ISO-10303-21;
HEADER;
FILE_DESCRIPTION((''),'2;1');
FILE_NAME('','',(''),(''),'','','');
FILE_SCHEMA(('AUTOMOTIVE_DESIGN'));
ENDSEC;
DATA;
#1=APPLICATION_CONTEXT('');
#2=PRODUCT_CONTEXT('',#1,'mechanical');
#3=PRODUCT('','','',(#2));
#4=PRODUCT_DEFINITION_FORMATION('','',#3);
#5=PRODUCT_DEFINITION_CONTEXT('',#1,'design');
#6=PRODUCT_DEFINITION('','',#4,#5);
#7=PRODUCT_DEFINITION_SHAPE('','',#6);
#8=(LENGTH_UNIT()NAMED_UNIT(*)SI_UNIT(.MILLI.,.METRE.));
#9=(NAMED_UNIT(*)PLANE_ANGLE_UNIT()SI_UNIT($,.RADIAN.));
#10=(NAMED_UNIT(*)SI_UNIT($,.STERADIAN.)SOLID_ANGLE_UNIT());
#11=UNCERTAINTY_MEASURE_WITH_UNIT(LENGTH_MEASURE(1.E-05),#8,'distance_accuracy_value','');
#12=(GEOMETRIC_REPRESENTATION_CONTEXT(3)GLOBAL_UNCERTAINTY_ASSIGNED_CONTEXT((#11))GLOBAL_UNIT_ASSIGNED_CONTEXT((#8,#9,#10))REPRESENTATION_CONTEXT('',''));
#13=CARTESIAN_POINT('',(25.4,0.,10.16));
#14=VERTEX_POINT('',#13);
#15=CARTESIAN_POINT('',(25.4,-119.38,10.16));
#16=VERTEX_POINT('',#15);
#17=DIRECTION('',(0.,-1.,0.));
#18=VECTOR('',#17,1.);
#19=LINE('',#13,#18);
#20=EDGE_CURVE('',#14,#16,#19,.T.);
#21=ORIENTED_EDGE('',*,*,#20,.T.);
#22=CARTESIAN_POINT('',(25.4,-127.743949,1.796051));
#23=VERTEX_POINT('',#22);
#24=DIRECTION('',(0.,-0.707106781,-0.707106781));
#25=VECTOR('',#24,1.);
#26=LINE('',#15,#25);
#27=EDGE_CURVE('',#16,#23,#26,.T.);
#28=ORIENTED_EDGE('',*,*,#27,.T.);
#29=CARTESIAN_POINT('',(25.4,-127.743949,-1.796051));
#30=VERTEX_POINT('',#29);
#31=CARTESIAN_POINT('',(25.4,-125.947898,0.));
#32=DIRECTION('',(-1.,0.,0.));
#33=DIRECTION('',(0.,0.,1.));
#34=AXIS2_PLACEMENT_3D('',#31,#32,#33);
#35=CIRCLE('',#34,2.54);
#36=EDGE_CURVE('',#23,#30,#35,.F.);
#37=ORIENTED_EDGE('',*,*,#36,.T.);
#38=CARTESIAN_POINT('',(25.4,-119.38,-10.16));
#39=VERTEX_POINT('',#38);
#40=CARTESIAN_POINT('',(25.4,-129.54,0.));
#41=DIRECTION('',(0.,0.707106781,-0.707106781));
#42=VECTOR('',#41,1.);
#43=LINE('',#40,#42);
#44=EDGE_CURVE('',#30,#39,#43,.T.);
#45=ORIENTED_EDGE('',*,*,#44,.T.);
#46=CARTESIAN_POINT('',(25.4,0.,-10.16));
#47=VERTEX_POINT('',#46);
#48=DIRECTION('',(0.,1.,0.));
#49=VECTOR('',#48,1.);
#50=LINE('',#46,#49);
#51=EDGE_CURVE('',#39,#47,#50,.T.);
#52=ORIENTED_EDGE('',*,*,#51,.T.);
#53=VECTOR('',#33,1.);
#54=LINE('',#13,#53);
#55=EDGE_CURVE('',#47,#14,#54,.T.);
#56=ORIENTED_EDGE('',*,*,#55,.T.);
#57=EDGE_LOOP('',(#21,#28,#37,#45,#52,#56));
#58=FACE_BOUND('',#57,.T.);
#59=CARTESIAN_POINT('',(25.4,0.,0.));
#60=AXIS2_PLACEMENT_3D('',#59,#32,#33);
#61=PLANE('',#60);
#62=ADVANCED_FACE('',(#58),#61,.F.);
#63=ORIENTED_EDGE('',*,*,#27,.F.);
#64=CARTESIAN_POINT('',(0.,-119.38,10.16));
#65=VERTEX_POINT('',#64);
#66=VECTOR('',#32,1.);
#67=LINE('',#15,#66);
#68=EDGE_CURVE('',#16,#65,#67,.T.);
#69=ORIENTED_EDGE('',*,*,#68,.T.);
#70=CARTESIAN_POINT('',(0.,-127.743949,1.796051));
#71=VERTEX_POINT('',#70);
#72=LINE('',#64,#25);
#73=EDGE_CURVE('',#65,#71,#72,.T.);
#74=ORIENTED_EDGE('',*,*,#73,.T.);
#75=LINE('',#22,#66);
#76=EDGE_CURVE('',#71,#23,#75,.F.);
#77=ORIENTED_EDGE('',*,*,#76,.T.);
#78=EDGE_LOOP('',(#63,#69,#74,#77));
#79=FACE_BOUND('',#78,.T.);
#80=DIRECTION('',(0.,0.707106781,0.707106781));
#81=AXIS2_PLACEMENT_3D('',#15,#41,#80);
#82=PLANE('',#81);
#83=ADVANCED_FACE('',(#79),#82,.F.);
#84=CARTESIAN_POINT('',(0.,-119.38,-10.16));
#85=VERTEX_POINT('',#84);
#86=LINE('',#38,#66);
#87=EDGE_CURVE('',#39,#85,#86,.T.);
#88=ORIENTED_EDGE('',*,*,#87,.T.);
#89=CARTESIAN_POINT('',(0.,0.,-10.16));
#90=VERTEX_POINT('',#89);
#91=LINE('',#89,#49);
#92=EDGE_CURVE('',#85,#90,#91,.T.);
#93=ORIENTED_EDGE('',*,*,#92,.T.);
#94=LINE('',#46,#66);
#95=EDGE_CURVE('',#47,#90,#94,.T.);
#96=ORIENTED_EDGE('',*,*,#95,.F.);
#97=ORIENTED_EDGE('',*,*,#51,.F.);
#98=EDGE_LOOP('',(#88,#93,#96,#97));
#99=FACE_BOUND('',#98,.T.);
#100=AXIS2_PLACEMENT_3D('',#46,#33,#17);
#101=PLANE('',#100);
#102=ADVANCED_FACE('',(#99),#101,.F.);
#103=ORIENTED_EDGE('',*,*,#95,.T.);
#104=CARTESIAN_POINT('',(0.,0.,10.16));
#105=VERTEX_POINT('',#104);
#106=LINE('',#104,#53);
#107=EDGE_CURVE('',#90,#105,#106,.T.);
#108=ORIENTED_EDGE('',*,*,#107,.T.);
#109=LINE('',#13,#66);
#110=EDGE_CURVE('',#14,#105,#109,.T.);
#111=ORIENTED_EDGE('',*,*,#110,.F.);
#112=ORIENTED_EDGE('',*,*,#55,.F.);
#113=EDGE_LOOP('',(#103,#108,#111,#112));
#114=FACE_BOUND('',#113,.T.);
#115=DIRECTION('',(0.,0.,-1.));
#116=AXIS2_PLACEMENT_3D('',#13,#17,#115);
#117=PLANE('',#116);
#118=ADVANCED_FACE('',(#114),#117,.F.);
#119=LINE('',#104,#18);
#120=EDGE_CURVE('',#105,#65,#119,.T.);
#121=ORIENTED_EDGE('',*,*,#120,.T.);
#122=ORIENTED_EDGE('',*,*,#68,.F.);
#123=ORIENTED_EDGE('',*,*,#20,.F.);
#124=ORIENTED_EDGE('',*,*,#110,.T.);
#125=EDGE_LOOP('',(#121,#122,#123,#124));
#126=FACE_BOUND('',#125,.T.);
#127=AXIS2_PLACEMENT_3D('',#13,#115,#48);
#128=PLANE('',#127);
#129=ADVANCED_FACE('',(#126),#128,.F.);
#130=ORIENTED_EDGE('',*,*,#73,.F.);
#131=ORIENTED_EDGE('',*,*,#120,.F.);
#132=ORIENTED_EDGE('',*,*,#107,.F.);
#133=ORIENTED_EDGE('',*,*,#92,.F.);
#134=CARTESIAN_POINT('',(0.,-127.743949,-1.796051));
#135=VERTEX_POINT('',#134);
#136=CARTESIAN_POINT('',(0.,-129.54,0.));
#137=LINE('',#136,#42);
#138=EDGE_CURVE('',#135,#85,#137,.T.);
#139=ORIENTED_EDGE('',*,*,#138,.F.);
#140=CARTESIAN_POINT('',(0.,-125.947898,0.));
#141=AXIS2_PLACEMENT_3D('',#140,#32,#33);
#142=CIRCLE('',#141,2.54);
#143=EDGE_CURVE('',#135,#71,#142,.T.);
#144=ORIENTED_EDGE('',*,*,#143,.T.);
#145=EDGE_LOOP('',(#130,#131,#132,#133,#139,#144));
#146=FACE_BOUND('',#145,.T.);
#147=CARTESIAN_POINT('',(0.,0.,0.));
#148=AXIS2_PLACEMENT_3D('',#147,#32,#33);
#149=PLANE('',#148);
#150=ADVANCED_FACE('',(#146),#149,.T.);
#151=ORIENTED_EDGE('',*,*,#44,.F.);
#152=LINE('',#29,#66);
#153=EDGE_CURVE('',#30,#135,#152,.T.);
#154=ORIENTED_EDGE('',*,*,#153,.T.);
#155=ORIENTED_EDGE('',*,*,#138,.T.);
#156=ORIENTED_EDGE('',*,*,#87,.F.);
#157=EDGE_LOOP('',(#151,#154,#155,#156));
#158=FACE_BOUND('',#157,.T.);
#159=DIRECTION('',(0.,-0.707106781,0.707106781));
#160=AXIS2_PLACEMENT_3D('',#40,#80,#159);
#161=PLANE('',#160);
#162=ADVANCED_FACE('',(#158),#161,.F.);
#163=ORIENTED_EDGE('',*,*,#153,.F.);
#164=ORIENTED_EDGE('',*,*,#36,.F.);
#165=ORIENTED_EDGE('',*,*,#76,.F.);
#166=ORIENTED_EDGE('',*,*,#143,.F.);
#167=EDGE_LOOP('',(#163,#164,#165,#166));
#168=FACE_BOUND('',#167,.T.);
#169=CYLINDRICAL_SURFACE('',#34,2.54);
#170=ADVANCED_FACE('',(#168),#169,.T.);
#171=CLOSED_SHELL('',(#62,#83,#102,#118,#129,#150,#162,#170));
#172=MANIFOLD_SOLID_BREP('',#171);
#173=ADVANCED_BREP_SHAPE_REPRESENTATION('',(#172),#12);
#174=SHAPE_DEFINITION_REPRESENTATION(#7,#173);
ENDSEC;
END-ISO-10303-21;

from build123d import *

# Parameters (mm, degrees)
BOSS_EXTRUDE1_DEPTH = 25.4
FILLET1_R           = 2.54


with BuildPart() as part:
    # Sketch1 → Boss-Extrude1 (new body)
    with BuildSketch(Plane(origin=(0, 0, 0), x_dir=(0, 0, -1), z_dir=(1, 0, 0))):
        Polygon((-10.16, 0), (-10.16, -119.38), (0, -129.54), (10.16, -119.38), (10.16, 0), align=None)
    extrude(amount=BOSS_EXTRUDE1_DEPTH)

    # Fillet1
    fillet1_edges = [part.edges().sort_by_distance(p)[0] for p in [
        (12.7, -129.54, 0),
    ]]
    fillet(fillet1_edges, radius=FILLET1_R)


solid = part.part
